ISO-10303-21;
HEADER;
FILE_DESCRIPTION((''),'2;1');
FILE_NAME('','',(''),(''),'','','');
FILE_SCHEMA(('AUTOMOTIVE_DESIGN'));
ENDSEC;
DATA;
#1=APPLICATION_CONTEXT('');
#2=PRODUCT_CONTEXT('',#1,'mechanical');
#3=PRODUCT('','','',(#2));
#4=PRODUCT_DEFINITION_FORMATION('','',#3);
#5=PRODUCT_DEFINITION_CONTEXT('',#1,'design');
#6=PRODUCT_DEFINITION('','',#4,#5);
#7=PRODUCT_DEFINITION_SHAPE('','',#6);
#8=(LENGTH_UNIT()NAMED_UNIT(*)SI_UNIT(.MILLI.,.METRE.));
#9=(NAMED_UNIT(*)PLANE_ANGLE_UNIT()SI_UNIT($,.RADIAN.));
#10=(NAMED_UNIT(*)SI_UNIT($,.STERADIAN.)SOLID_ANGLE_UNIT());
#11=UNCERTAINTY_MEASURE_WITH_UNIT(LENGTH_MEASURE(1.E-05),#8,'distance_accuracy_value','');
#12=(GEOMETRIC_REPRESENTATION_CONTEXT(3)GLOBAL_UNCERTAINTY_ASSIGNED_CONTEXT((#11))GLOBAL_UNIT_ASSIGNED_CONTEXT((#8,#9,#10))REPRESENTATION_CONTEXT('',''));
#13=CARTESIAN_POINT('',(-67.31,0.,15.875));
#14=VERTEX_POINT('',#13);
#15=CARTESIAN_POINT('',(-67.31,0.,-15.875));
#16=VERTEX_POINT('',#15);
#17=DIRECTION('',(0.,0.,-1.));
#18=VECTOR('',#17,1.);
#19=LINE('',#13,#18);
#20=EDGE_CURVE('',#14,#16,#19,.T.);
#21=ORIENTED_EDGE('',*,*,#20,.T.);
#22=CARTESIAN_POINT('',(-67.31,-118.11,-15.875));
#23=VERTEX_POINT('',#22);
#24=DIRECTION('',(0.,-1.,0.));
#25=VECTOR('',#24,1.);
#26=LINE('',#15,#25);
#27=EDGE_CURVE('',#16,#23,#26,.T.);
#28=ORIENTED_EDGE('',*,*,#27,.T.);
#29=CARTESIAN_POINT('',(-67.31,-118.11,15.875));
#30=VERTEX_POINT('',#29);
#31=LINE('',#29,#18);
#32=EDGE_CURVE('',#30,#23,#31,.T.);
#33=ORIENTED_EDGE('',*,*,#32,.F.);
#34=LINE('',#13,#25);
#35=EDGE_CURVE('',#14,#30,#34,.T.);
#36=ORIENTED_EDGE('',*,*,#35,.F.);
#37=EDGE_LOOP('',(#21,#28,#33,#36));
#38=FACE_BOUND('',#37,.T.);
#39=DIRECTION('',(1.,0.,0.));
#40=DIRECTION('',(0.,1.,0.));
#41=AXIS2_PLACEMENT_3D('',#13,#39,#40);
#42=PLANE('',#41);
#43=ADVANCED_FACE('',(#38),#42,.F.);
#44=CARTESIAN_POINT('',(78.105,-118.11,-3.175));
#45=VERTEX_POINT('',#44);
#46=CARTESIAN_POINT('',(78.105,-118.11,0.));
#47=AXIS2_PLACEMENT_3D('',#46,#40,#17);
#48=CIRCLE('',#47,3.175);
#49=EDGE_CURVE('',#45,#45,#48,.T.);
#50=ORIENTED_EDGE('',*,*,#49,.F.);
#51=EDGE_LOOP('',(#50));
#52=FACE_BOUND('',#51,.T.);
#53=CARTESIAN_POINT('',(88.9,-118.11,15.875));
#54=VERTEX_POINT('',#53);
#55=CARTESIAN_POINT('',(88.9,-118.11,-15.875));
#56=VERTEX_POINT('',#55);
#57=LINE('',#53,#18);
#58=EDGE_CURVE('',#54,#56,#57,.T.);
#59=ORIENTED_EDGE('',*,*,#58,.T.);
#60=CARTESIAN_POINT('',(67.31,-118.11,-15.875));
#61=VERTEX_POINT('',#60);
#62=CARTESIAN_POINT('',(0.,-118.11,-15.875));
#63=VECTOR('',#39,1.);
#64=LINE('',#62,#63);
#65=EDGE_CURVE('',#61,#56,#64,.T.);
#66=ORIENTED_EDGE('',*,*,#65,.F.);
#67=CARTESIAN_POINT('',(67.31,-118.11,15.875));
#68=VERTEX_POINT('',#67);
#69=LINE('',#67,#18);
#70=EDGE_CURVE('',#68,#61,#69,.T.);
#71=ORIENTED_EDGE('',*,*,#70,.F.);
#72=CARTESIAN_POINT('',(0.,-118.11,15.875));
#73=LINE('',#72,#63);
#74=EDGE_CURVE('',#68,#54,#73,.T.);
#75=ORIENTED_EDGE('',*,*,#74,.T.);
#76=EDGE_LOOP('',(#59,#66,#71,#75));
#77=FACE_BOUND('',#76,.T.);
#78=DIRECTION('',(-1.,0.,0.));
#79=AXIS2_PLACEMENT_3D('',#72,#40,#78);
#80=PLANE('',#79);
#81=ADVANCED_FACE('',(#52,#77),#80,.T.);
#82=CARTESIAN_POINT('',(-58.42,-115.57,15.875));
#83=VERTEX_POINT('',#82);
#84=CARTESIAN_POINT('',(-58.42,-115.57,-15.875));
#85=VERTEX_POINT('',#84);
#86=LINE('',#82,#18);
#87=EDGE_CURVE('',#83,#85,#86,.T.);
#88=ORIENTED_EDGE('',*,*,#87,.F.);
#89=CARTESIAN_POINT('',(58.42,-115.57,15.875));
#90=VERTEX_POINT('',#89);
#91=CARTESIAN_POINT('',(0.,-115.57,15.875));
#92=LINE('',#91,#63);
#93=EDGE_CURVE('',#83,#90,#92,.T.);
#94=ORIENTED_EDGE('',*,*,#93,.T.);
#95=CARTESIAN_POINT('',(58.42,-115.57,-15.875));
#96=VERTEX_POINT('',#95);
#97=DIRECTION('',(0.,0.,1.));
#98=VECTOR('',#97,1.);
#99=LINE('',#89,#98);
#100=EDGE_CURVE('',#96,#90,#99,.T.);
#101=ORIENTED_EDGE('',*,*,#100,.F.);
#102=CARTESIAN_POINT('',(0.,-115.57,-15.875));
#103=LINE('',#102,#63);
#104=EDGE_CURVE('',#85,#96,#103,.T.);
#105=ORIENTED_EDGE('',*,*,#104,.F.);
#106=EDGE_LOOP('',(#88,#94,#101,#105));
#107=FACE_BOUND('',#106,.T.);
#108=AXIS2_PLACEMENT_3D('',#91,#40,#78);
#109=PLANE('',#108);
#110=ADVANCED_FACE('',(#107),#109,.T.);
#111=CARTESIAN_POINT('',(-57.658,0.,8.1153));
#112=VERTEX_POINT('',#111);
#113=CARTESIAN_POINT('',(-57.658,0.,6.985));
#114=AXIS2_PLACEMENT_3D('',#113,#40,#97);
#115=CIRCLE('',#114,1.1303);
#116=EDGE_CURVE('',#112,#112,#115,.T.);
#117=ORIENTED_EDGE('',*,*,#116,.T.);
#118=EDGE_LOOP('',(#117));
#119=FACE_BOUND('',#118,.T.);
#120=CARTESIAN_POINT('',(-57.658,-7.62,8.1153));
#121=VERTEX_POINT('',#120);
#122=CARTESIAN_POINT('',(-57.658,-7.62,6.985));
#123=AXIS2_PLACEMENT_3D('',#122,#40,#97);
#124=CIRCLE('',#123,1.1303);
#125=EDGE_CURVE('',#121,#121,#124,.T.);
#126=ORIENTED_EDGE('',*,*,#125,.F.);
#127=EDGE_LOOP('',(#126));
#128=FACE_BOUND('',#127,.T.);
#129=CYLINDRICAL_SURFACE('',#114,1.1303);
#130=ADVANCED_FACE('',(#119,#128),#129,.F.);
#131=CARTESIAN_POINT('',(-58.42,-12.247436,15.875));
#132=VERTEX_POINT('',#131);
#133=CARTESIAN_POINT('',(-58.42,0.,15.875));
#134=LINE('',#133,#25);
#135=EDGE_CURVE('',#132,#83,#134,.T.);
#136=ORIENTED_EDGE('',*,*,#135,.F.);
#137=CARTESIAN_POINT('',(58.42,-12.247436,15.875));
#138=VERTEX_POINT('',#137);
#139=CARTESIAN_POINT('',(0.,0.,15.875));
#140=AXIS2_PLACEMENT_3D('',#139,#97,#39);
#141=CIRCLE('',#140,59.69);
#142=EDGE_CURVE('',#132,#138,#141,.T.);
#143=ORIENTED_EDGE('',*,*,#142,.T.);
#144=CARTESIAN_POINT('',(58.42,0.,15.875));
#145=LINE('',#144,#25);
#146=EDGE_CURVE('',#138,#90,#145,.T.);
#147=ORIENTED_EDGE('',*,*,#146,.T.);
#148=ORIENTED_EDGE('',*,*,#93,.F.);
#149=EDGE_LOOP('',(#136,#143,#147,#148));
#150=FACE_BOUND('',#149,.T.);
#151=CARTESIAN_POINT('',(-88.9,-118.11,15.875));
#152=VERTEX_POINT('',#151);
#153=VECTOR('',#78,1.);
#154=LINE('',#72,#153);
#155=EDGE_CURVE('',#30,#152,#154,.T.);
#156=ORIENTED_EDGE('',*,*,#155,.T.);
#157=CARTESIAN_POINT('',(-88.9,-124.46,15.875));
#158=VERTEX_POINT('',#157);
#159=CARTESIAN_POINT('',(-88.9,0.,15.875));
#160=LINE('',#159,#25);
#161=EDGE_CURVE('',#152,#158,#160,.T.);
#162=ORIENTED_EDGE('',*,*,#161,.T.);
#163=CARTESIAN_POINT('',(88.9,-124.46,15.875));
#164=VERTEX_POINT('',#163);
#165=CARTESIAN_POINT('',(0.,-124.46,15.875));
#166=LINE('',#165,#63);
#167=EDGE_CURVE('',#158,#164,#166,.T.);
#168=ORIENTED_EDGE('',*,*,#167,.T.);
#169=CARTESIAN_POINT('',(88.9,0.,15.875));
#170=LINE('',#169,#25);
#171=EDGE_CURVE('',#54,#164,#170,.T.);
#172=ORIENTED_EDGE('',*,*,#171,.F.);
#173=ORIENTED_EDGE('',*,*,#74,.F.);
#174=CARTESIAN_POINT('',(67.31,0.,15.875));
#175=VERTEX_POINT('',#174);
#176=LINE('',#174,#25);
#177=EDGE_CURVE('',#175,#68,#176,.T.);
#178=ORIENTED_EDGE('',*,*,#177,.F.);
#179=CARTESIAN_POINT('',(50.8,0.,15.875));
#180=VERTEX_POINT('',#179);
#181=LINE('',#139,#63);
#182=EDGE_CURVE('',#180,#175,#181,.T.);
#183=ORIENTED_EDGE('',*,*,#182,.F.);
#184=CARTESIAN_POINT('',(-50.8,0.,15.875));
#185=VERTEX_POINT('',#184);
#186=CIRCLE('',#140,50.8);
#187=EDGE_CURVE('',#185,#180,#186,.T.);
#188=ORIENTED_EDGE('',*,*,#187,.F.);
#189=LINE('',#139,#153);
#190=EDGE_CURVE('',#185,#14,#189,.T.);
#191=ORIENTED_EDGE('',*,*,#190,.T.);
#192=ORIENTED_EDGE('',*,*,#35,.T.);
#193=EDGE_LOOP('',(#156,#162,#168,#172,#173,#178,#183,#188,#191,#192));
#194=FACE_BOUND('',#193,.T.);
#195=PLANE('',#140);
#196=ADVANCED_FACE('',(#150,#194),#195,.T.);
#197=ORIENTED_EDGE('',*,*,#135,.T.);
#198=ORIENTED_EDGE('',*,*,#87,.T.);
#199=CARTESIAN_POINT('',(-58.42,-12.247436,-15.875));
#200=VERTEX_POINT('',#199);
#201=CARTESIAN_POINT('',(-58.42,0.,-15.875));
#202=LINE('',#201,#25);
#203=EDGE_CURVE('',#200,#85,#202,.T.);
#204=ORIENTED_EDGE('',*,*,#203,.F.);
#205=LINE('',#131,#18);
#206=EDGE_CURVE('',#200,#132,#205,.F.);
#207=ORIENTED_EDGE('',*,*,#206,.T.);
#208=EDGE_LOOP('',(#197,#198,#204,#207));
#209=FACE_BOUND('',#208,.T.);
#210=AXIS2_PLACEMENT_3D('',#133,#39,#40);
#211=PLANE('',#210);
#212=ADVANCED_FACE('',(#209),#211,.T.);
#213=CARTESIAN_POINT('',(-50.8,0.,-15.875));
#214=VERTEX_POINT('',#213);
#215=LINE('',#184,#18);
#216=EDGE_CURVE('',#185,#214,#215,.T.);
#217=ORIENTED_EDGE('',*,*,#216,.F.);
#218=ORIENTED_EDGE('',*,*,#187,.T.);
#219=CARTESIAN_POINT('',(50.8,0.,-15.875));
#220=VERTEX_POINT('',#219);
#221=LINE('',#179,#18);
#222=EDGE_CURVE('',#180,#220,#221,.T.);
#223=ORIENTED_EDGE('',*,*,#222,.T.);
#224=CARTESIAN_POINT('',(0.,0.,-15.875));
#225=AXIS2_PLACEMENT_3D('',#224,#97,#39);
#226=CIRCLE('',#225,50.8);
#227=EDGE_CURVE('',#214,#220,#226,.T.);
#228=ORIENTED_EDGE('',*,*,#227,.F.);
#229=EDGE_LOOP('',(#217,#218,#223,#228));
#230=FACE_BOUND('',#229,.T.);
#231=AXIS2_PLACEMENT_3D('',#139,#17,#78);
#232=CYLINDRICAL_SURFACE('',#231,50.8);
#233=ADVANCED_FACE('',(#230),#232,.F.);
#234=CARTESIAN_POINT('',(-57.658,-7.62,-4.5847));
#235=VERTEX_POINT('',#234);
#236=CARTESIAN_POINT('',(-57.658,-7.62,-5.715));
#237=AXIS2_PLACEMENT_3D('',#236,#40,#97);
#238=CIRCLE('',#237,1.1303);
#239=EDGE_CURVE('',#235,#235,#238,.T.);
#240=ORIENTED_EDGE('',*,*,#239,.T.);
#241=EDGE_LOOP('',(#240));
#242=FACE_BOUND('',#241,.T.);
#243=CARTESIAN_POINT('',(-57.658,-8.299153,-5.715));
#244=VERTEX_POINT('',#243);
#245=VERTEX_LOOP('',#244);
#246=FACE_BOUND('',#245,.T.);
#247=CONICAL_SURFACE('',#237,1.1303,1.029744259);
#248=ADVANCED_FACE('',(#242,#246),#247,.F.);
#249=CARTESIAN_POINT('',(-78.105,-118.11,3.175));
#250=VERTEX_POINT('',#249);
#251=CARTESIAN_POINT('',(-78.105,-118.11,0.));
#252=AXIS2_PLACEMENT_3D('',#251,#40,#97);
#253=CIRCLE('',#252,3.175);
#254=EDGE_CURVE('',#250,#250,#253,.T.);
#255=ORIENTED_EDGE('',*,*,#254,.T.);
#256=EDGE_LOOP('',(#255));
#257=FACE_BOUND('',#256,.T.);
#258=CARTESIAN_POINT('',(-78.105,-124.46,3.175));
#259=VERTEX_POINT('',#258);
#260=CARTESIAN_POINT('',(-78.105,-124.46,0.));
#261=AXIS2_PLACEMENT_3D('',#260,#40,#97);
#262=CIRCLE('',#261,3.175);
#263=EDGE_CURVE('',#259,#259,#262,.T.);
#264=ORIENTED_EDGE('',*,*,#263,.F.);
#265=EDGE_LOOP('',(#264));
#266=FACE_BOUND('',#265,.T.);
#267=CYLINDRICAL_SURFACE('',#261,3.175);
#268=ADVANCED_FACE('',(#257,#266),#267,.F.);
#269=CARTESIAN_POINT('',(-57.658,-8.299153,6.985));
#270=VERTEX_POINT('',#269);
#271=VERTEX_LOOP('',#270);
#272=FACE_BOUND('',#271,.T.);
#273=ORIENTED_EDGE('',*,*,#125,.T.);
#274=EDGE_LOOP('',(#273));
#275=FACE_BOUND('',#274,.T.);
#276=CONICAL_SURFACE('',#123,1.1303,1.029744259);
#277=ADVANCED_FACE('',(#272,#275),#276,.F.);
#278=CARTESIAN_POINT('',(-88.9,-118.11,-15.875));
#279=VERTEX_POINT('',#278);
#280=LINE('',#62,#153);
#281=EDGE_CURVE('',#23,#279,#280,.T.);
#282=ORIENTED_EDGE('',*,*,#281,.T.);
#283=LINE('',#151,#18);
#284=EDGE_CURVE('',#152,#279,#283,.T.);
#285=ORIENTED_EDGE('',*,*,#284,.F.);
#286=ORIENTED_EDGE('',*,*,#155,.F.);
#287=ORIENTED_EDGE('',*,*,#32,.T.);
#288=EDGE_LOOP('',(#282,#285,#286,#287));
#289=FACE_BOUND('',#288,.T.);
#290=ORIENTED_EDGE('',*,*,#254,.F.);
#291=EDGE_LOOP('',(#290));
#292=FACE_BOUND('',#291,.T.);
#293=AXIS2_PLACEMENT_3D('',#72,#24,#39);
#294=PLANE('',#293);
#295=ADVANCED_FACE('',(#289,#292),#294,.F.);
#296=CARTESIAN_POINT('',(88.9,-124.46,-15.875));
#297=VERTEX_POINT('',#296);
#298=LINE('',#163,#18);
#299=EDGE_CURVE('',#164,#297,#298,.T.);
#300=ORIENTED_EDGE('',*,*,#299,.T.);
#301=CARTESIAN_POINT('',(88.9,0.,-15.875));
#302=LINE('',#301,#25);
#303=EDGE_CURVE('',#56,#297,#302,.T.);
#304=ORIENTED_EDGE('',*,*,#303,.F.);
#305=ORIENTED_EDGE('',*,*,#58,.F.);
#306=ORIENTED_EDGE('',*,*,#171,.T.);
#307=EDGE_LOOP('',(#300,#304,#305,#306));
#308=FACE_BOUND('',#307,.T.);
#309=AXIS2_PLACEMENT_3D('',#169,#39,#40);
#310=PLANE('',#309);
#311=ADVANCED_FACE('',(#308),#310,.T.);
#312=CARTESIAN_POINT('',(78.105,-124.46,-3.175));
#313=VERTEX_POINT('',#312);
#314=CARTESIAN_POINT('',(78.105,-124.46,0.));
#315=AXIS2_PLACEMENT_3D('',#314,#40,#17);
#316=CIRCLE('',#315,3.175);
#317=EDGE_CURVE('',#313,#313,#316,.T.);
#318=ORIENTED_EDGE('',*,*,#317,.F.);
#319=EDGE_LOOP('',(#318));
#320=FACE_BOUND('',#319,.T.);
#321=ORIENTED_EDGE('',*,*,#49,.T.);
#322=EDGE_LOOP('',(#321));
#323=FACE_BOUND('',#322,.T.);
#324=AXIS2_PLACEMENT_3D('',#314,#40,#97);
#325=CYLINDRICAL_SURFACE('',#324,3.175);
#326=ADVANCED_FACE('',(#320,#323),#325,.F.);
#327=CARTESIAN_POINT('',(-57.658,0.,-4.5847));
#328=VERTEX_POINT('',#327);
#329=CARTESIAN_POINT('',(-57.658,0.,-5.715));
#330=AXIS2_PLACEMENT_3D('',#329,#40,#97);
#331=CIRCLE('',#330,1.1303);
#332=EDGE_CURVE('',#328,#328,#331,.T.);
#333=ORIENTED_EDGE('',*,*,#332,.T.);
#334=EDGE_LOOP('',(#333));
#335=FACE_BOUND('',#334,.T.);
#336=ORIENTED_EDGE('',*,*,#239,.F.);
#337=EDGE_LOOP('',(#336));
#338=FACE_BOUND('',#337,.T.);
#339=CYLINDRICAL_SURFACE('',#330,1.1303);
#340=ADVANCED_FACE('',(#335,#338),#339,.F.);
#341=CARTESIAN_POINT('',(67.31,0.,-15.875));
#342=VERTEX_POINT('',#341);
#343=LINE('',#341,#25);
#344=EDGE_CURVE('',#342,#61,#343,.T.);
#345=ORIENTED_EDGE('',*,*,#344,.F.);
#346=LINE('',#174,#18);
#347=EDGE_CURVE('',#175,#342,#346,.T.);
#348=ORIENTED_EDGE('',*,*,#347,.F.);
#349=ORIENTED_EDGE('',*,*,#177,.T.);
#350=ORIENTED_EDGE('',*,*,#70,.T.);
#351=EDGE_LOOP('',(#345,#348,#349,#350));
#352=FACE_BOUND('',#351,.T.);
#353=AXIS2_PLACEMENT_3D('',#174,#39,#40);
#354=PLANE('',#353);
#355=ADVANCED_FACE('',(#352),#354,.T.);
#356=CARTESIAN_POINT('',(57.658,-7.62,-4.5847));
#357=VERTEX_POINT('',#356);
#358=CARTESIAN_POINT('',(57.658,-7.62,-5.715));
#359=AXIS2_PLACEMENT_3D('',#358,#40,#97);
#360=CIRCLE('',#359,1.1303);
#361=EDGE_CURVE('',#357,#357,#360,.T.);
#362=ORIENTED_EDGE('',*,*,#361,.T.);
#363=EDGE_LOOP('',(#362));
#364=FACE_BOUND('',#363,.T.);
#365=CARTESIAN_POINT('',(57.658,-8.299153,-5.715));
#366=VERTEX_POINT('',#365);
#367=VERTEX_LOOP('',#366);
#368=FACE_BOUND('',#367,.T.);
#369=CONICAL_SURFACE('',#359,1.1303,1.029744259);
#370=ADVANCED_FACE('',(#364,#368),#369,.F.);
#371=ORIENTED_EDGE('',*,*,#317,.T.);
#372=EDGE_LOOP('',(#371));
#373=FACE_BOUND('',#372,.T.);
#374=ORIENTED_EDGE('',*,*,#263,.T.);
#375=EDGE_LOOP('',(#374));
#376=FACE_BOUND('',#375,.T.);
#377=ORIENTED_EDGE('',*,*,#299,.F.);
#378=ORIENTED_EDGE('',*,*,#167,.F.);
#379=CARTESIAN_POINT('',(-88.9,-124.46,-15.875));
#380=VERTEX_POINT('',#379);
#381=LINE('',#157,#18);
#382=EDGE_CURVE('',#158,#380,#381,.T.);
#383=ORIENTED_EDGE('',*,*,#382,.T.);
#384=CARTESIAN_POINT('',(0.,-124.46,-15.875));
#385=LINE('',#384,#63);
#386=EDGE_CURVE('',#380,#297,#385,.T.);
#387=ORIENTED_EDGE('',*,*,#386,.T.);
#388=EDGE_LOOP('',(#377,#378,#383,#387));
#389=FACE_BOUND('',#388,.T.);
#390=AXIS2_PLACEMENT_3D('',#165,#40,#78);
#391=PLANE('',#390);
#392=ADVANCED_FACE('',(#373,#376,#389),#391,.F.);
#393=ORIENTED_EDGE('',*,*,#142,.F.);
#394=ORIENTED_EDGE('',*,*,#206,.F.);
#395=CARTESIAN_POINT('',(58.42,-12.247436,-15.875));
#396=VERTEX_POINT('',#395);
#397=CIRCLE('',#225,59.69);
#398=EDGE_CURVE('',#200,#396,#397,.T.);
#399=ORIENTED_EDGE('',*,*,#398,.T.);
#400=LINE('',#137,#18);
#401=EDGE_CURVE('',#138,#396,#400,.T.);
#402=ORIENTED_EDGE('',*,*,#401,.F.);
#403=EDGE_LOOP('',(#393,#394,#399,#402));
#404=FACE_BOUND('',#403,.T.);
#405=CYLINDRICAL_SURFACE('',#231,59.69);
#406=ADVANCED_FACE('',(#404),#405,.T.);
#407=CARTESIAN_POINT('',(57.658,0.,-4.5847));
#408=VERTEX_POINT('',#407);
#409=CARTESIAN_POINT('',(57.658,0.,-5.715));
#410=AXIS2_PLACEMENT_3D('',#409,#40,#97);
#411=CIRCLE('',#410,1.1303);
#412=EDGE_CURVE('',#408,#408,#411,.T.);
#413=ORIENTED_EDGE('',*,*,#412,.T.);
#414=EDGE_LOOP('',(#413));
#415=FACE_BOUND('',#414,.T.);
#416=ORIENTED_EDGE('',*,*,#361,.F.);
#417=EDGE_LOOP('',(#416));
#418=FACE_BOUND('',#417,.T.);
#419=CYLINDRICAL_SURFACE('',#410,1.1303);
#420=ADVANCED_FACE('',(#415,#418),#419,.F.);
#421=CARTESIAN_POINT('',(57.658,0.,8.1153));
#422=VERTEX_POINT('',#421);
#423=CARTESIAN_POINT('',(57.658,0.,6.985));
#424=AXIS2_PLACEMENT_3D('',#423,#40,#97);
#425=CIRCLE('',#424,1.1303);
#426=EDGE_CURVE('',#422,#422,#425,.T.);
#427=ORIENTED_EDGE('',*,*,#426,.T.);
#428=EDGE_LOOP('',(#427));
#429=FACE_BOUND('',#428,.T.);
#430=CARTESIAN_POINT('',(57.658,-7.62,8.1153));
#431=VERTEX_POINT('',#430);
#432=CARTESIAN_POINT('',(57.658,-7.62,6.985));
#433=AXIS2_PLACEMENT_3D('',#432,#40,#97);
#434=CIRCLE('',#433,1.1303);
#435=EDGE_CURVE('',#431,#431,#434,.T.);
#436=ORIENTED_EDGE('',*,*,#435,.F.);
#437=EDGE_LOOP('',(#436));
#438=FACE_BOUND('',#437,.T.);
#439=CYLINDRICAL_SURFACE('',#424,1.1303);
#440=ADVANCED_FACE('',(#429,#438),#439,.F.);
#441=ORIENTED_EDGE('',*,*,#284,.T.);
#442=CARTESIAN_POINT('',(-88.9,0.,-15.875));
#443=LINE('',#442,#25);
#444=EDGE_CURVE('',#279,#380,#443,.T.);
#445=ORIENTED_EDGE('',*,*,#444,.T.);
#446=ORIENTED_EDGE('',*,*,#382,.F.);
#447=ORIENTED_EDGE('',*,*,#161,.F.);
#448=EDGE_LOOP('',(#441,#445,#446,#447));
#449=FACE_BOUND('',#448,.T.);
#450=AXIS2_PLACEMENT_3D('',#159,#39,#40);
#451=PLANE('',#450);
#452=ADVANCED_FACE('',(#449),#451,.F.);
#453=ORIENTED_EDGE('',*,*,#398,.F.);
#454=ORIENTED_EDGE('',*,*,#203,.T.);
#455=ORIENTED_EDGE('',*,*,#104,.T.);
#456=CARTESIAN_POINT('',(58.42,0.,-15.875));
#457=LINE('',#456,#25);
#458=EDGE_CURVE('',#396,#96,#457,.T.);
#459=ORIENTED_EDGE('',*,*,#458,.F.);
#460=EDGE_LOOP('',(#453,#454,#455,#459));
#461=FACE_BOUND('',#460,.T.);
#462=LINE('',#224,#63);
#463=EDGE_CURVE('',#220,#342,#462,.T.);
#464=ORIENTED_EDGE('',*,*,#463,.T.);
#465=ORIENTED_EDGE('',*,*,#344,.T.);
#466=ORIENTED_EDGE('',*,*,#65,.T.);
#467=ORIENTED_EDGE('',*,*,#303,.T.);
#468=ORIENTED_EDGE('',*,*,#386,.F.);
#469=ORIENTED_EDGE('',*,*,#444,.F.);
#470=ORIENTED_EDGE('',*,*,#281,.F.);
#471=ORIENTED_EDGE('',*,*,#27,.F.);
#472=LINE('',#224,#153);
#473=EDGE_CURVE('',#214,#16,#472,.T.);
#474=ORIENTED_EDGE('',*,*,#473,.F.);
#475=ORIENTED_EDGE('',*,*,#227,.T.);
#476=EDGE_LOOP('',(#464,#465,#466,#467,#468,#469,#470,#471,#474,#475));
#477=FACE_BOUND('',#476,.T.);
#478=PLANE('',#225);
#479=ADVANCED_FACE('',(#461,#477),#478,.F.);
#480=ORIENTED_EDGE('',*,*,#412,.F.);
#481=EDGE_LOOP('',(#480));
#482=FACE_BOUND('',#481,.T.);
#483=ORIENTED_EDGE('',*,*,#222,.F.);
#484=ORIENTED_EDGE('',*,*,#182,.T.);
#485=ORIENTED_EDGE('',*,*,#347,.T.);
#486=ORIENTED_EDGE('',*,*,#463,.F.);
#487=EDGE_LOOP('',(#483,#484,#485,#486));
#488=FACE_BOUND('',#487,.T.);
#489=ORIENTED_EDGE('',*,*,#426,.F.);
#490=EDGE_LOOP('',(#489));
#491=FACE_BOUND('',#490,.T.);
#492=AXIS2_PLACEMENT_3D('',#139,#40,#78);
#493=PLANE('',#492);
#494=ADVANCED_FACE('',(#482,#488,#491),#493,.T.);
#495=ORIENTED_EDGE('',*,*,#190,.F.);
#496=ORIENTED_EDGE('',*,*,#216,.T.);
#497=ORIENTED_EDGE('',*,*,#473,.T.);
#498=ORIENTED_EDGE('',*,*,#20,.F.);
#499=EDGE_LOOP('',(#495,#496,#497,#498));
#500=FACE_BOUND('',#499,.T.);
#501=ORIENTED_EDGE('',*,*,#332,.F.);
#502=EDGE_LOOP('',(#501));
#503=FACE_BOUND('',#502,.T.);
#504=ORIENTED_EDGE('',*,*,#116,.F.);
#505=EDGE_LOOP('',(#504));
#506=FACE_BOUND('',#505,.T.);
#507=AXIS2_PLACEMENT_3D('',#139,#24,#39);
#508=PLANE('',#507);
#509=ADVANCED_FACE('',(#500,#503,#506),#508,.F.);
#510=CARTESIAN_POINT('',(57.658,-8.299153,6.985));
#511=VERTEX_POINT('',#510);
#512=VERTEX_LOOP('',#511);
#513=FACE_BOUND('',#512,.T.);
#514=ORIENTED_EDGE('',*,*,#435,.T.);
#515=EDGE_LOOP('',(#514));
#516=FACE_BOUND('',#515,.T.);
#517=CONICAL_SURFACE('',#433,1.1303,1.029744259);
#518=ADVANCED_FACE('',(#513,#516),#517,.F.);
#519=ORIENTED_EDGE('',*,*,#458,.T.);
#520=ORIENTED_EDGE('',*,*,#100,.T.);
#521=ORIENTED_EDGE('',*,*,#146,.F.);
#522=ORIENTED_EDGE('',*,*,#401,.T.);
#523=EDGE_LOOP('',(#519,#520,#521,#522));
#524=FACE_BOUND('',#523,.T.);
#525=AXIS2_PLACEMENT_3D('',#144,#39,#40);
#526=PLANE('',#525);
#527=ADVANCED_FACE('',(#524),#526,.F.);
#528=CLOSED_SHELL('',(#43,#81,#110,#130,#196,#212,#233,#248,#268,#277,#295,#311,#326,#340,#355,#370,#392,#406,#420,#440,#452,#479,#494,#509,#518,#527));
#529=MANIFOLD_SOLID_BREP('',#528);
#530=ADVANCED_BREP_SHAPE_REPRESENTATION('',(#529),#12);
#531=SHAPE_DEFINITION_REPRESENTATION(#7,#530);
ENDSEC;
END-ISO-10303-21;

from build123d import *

# Parameters (mm, degrees)
BOSS_EXTRUDE1_DEPTH       = 15.875
SHELL1_T                  = -8.89
SKETCH2_R                 = 3.175
CUT_EXTRUDE1_DEPTH        = 7.35
F_4_40_TAPPED_HOLE1_D     = 2.2606
F_4_40_TAPPED_HOLE1_DEPTH = 7.62
F_4_40_TAPPED_HOLE1_TIP   = 0.679153


with BuildPart() as part:
    # Sketch1 → Boss-Extrude1 (new body, symmetric)
    with BuildSketch(Plane.XY):
        with BuildLine():
            ThreePointArc((0, -50.8), (-35.921024, -35.921024), (-50.8, 0))
            Line((-50.8, 0), (-67.31, 0))
            Line((-67.31, 0), (-67.31, -118.11))
            Line((-67.31, -118.11), (-88.9, -118.11))
            Line((-88.9, -118.11), (-88.9, -124.46))
            Line((-88.9, -124.46), (0, -124.46))
            Line((0, -124.46), (0, -50.8))
        make_face()
        with BuildLine():
            ThreePointArc((50.8, 0), (35.921024, -35.921024), (0, -50.8))
            Line((0, -50.8), (0, -124.46))
            Line((0, -124.46), (88.9, -124.46))
            Line((88.9, -124.46), (88.9, -118.11))
            Line((88.9, -118.11), (67.31, -118.11))
            Line((67.31, -118.11), (67.31, 0))
            Line((67.31, 0), (50.8, 0))
        make_face()
    extrude(amount=BOSS_EXTRUDE1_DEPTH, both=True)

    # Shell1
    shell1_openings = [part.faces().sort_by_distance(p)[0] for p in [
        (0, -77.216, 15.875),
        (0, -77.216, -15.875),
    ]]
    offset(amount=SHELL1_T, openings=shell1_openings)

    # Sketch2 → Cut-Extrude1 (cut, through all)
    with BuildSketch(Plane(origin=(0, -118.11, 0), x_dir=(1, 0, 0), z_dir=(0, 1, 0))):
        with Locations((-78.105, 0)):
            Circle(SKETCH2_R)
        with Locations((78.105, 0)):
            Circle(SKETCH2_R)
    extrude(amount=-CUT_EXTRUDE1_DEPTH, mode=Mode.SUBTRACT)

    # #4-40 Tapped Hole1
    with Locations(Plane(origin=(0, 0, 0), x_dir=(1, 0, 0), z_dir=(0, 1, 0))):
        with Locations((-57.658, 5.715), (-57.658, -6.985), (57.658, -6.985), (57.658, 5.715)):
            Hole(F_4_40_TAPPED_HOLE1_D / 2, depth=F_4_40_TAPPED_HOLE1_DEPTH)
            with Locations((0, 0, -(F_4_40_TAPPED_HOLE1_DEPTH + F_4_40_TAPPED_HOLE1_TIP / 2))):  # 118° drill point
                Cone(0, F_4_40_TAPPED_HOLE1_D / 2, F_4_40_TAPPED_HOLE1_TIP, mode=Mode.SUBTRACT)


solid = part.part
